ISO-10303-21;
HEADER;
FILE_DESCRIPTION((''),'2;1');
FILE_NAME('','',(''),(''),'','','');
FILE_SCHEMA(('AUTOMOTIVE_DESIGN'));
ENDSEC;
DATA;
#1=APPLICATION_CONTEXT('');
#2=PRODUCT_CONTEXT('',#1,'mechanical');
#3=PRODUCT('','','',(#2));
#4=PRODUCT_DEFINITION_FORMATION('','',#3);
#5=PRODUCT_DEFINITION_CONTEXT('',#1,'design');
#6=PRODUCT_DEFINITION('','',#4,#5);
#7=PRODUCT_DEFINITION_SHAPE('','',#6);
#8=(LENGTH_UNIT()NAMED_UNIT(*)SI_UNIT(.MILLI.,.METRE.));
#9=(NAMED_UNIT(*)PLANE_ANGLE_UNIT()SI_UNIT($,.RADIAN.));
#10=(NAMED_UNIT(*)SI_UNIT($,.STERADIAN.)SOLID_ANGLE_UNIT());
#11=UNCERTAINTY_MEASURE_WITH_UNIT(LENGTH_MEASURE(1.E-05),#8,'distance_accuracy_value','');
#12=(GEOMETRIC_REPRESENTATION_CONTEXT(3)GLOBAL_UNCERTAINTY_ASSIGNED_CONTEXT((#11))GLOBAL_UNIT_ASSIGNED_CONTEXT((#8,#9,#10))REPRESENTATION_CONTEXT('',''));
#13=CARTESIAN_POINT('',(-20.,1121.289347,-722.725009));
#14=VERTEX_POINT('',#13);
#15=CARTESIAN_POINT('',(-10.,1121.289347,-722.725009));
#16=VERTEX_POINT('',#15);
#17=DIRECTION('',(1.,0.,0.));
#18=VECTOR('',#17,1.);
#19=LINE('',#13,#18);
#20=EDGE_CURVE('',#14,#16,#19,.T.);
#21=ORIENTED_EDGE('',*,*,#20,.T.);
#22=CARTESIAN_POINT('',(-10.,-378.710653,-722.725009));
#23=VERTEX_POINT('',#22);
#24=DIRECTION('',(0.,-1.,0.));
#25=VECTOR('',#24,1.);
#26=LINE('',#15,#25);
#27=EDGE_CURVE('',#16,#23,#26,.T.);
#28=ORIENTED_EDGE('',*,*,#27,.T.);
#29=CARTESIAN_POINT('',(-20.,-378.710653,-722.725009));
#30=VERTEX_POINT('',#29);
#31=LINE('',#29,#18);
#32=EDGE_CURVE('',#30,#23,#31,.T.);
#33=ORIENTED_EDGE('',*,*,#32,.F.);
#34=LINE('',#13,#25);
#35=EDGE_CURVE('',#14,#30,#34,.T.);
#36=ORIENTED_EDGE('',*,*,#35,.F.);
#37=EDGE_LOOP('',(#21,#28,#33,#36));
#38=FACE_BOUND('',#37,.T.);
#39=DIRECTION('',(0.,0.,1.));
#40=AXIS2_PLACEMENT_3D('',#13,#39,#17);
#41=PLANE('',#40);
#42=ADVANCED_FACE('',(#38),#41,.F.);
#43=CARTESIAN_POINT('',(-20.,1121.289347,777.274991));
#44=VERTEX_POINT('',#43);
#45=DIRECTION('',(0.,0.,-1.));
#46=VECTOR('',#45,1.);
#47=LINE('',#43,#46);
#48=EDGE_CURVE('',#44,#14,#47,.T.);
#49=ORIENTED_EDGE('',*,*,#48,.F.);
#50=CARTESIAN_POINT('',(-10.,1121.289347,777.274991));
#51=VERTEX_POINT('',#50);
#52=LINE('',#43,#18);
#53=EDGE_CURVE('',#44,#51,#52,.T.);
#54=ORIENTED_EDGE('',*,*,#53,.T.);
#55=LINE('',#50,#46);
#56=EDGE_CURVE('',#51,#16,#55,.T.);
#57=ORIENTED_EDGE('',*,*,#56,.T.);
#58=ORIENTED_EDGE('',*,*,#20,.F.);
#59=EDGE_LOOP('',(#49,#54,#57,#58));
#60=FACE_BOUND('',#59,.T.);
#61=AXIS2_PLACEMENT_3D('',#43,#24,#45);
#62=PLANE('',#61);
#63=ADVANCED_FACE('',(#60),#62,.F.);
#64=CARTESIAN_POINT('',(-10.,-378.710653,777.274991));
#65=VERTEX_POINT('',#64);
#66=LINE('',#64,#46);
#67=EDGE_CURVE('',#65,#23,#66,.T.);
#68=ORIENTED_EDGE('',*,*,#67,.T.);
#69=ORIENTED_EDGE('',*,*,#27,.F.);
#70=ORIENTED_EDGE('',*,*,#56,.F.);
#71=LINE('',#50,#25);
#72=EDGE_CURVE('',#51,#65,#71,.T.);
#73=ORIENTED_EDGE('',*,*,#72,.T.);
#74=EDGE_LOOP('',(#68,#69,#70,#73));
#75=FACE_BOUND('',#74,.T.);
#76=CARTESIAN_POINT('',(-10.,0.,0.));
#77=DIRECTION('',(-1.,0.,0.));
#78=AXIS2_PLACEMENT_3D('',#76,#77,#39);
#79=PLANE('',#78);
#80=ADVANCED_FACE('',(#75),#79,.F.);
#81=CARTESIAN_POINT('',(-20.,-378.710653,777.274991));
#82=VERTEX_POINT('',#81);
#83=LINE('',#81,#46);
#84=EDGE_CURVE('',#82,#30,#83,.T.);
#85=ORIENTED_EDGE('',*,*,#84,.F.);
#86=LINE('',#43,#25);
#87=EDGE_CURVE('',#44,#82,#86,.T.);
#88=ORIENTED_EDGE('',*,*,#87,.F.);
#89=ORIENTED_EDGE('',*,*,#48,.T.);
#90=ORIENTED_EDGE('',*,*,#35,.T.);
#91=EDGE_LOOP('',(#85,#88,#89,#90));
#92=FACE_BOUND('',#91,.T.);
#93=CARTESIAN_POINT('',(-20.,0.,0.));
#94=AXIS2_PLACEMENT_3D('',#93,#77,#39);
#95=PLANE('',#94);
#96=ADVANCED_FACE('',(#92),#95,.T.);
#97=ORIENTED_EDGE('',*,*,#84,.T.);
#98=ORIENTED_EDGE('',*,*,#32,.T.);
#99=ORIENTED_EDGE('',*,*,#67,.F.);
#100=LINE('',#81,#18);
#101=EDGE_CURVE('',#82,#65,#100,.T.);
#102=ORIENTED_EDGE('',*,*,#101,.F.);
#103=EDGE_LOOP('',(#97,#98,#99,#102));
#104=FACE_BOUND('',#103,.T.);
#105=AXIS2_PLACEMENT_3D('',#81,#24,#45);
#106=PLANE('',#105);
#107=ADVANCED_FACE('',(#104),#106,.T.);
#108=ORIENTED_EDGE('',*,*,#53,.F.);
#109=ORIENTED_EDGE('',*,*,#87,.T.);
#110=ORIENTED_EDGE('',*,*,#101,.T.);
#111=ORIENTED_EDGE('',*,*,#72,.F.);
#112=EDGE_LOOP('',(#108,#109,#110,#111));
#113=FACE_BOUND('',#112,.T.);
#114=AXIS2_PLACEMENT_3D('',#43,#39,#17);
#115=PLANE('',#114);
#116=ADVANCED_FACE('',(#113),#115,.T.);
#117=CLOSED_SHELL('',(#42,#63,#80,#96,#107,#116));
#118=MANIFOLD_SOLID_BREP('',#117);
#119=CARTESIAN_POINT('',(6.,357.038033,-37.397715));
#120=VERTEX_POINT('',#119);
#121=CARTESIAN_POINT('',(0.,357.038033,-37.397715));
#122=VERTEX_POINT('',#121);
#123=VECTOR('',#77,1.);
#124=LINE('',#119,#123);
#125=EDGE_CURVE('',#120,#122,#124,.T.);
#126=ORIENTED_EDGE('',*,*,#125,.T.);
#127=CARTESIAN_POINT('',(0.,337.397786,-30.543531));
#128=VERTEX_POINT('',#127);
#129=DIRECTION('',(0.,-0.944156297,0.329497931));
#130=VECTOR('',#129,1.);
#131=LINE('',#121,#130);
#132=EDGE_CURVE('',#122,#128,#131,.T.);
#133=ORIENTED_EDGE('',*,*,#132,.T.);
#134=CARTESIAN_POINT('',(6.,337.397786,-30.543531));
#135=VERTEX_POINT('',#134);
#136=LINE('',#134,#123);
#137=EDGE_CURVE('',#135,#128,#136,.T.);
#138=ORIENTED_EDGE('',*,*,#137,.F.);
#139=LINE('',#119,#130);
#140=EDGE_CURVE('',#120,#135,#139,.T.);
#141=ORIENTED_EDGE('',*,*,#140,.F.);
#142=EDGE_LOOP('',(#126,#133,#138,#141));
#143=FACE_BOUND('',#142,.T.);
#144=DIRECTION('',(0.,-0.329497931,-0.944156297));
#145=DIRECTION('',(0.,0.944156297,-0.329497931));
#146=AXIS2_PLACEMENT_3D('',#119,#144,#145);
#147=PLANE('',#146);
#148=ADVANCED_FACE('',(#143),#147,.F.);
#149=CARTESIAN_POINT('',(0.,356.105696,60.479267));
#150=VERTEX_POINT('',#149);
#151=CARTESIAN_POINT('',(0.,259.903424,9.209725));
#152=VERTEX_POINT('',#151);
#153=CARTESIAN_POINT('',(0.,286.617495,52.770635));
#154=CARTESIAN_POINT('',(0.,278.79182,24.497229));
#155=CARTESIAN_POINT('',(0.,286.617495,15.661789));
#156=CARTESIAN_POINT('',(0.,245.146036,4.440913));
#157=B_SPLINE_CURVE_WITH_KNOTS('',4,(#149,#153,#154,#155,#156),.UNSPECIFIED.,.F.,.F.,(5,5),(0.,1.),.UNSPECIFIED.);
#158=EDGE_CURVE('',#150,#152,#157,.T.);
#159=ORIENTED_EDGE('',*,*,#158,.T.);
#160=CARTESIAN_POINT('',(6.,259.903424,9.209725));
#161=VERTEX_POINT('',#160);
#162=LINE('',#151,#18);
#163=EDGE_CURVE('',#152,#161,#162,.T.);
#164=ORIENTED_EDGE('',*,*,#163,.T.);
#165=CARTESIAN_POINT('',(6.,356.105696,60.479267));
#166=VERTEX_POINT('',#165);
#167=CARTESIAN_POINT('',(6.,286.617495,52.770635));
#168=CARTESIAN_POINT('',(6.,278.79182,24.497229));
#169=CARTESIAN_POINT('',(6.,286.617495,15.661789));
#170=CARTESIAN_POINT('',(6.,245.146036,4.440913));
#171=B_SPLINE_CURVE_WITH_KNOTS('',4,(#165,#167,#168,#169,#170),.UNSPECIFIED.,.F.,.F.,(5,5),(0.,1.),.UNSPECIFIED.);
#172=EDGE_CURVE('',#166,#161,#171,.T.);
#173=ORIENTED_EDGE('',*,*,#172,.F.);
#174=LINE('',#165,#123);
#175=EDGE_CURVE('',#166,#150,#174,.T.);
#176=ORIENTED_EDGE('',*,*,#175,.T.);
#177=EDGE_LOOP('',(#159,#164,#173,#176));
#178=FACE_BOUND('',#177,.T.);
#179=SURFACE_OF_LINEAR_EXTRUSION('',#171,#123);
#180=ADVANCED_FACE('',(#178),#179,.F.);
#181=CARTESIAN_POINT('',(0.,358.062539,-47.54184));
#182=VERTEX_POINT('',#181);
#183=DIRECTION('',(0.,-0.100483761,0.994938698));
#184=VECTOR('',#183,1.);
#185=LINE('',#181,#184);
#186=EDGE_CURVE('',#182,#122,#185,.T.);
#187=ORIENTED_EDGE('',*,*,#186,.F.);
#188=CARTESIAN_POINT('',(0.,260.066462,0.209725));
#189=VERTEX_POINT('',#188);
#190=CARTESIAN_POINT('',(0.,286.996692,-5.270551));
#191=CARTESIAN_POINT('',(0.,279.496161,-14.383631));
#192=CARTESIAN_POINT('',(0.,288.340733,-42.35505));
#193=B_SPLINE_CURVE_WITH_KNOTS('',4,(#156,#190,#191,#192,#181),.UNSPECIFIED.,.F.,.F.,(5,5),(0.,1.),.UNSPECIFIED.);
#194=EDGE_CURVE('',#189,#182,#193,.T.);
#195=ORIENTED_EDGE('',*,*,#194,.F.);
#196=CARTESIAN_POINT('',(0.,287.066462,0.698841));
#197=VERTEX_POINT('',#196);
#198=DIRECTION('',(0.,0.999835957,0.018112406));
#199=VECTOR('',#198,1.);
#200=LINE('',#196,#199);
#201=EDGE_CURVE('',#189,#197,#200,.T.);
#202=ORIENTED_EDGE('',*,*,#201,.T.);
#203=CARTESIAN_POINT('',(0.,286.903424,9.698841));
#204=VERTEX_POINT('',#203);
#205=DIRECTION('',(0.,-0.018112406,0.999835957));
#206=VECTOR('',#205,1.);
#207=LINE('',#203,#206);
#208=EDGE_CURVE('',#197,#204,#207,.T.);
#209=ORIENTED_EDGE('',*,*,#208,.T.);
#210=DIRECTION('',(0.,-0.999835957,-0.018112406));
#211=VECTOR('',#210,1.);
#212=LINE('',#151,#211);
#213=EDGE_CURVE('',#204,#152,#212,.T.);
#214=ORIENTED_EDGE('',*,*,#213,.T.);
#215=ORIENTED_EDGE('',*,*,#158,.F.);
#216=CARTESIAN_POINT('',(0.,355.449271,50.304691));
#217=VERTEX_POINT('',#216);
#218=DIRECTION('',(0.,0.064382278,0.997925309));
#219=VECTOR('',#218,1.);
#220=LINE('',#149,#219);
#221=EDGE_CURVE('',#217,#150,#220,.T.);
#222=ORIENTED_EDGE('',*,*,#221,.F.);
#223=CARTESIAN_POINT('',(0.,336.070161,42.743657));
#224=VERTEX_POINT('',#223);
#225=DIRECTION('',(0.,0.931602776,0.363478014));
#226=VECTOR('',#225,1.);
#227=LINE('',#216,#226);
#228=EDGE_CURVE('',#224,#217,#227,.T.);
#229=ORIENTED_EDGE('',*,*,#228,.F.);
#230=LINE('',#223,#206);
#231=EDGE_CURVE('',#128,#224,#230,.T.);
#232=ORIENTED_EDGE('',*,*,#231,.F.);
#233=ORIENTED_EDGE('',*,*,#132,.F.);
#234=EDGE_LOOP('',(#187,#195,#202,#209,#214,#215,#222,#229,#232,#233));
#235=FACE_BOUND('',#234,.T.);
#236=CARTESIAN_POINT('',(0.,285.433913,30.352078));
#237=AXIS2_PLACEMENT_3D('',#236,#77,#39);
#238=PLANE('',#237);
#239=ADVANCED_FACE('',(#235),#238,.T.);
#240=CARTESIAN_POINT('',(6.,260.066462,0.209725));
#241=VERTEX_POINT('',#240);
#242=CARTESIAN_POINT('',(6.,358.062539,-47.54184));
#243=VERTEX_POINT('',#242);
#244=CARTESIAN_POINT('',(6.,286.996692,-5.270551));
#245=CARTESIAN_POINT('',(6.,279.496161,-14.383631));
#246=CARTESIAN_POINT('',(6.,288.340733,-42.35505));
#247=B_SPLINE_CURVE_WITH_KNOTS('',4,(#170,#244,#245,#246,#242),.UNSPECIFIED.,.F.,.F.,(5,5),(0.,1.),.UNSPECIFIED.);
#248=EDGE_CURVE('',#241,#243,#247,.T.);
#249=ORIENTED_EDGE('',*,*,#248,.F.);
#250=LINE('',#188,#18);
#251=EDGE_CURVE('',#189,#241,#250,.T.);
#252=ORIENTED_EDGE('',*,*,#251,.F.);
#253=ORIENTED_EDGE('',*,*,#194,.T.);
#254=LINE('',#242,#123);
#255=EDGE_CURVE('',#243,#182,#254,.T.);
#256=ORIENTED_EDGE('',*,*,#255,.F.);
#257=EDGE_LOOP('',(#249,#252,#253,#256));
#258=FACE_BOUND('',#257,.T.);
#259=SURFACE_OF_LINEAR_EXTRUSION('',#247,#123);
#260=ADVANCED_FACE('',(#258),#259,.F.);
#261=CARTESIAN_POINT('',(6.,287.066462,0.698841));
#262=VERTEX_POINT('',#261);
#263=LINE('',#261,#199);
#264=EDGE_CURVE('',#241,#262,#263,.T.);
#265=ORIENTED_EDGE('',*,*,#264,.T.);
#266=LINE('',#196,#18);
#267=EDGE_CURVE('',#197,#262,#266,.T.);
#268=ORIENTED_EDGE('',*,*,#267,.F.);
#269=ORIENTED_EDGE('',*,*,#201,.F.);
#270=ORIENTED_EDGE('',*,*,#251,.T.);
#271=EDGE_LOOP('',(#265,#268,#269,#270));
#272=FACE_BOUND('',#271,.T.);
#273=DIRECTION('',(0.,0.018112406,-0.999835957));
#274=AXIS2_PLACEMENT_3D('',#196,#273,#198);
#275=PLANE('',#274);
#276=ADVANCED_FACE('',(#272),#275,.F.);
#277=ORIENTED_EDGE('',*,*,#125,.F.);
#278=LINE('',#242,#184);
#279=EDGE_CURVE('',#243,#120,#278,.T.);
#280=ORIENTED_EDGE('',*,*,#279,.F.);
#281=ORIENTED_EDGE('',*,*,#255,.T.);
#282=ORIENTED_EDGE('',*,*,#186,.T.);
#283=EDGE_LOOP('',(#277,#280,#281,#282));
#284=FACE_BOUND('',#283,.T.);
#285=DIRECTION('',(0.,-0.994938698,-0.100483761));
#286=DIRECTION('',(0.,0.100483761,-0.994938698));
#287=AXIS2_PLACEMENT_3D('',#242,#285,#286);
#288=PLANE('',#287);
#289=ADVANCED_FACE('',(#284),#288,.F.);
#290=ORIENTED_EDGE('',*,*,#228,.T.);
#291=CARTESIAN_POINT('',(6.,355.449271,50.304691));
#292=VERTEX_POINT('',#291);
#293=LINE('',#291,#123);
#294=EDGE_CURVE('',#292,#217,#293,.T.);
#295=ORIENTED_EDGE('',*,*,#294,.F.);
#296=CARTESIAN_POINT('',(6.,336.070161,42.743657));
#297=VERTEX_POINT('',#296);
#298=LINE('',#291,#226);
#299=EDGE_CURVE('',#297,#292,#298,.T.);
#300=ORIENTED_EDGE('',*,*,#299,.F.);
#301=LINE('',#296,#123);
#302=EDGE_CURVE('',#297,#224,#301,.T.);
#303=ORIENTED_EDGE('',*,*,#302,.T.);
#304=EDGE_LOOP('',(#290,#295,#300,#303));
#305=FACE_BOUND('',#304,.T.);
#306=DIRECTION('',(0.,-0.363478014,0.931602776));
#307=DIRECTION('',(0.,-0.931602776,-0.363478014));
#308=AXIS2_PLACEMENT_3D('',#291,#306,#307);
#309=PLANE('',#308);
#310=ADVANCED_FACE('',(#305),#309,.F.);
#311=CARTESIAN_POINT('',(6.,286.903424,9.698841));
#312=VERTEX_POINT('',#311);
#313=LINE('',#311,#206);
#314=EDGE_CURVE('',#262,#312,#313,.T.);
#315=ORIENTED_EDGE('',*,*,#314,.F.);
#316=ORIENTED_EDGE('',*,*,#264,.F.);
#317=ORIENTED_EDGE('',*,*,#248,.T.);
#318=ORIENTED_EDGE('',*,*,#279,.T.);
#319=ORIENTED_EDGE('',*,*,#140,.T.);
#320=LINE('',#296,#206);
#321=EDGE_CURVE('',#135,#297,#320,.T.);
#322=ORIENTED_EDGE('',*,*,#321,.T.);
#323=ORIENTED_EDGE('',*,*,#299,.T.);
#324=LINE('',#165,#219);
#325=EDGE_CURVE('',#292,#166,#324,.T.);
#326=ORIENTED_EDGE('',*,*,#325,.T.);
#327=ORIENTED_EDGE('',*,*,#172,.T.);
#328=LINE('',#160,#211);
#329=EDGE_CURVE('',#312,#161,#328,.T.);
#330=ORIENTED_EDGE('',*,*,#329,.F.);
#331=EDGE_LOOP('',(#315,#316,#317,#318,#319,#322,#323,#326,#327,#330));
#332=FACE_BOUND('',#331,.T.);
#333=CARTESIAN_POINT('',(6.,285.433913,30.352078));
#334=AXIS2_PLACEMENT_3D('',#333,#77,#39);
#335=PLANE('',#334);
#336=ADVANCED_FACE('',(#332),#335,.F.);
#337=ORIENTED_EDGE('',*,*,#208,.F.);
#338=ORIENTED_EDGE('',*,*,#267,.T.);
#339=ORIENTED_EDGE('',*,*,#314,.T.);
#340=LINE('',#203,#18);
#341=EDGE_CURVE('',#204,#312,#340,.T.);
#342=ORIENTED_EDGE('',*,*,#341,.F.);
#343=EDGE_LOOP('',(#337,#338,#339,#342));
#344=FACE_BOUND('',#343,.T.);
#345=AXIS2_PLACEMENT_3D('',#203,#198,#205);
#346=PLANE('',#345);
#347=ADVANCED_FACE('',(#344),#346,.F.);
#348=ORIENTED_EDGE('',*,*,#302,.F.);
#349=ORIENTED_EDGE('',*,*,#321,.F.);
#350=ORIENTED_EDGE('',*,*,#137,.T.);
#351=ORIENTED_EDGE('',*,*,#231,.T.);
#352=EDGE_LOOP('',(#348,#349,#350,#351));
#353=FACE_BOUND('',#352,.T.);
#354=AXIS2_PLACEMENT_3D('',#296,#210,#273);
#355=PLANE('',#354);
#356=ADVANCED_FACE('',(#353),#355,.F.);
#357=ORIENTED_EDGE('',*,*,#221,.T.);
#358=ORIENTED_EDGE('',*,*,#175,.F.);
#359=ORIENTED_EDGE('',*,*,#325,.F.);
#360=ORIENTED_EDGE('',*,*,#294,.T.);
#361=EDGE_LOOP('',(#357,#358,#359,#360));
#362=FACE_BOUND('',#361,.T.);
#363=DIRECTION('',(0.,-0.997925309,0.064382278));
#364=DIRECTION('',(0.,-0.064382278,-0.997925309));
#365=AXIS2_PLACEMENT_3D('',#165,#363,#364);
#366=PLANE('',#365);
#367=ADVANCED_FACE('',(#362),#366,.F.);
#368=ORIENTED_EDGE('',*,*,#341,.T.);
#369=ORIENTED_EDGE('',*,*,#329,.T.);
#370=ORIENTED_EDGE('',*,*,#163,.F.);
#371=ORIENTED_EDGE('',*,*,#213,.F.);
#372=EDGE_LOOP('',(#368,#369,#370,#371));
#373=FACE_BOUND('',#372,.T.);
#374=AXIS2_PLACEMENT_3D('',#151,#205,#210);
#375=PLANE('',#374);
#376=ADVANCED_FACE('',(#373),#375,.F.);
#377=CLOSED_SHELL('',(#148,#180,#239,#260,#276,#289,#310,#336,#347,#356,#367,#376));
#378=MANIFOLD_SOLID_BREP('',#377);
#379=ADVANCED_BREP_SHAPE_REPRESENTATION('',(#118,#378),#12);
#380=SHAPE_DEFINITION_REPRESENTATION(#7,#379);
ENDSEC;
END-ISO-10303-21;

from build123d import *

# Parameters (mm, degrees)
BOSS_EXTRU_2_DEPTH      = 10
BOSS_EXTRU_3_DEPTH      = 6
ENL_V_MAT_EXTRU_1_DEPTH = 6


with BuildPart() as part:
    # Esquisse3D1 → Boss.-Extru.2 (new body)
    with BuildSketch(Plane(origin=(-20, 1121.289346724, 777.274991403), x_dir=(0, -0.7071067811865476, -0.7071067811865476), z_dir=(1, 0, 0))):
        Polygon((0, 0), (1060.66017178, 1060.66017178), (2121.32034356, 0), (1060.66017178, -1060.66017178), align=None)
    extrude(amount=BOSS_EXTRU_2_DEPTH)


with BuildPart() as body_2:
    # Esquisse5 → Boss.-Extru.3 (new body)
    with BuildSketch(Plane(origin=(0, 0, 0), x_dir=(0, 0, -1), z_dir=(1, 0, 0))):
        with BuildLine():
            Line((-42.743657021, 336.070161183), (30.543531084, 337.397786244))
            Line((30.543531084, 337.397786244), (37.397714924, 357.038033491))
            Line((37.397714924, 357.038033491), (47.54183954, 358.062538617))
            add(Edge.make_bspline(
                [(-4.440912922, 245.146035867), (5.270551499, 286.996692264), (14.383631107, 279.496161382), (42.355050039, 288.340732696), (47.54183954, 358.062538617)],
                knots=[0, 0, 0, 0, 0, 1, 1, 1, 1, 1], degree=4))
            add(Edge.make_bspline(
                [(-4.440912922, 245.146035867), (-15.661788901, 286.617495021), (-24.497228506, 278.791819943), (-52.77063524, 286.617495021), (-60.479266526, 356.105695529)],
                knots=[0, 0, 0, 0, 0, 1, 1, 1, 1, 1], degree=4))
            Line((-60.479266526, 356.105695529), (-50.304691241, 355.449271317))
            Line((-50.304691241, 355.449271317), (-42.743657021, 336.070161183))
        make_face()
    extrude(amount=BOSS_EXTRU_3_DEPTH)

    # Esquisse6 → Enlèv. mat.-Extru.1 (cut)
    with BuildSketch(Plane(origin=(6, 0, 0), x_dir=(0, 0, -1), z_dir=(1, 0, 0))):
        Polygon((-9.209725321, 259.903423689), (-9.698840507, 286.903423689), (-0.698840507, 287.066462084), (-0.209725321, 260.066462084), (117.063261114, -47.52702125), (-85.227699586, -65.220017949), align=None)
    extrude(amount=-ENL_V_MAT_EXTRU_1_DEPTH, mode=Mode.SUBTRACT)


solid = Compound([part.part, body_2.part])
